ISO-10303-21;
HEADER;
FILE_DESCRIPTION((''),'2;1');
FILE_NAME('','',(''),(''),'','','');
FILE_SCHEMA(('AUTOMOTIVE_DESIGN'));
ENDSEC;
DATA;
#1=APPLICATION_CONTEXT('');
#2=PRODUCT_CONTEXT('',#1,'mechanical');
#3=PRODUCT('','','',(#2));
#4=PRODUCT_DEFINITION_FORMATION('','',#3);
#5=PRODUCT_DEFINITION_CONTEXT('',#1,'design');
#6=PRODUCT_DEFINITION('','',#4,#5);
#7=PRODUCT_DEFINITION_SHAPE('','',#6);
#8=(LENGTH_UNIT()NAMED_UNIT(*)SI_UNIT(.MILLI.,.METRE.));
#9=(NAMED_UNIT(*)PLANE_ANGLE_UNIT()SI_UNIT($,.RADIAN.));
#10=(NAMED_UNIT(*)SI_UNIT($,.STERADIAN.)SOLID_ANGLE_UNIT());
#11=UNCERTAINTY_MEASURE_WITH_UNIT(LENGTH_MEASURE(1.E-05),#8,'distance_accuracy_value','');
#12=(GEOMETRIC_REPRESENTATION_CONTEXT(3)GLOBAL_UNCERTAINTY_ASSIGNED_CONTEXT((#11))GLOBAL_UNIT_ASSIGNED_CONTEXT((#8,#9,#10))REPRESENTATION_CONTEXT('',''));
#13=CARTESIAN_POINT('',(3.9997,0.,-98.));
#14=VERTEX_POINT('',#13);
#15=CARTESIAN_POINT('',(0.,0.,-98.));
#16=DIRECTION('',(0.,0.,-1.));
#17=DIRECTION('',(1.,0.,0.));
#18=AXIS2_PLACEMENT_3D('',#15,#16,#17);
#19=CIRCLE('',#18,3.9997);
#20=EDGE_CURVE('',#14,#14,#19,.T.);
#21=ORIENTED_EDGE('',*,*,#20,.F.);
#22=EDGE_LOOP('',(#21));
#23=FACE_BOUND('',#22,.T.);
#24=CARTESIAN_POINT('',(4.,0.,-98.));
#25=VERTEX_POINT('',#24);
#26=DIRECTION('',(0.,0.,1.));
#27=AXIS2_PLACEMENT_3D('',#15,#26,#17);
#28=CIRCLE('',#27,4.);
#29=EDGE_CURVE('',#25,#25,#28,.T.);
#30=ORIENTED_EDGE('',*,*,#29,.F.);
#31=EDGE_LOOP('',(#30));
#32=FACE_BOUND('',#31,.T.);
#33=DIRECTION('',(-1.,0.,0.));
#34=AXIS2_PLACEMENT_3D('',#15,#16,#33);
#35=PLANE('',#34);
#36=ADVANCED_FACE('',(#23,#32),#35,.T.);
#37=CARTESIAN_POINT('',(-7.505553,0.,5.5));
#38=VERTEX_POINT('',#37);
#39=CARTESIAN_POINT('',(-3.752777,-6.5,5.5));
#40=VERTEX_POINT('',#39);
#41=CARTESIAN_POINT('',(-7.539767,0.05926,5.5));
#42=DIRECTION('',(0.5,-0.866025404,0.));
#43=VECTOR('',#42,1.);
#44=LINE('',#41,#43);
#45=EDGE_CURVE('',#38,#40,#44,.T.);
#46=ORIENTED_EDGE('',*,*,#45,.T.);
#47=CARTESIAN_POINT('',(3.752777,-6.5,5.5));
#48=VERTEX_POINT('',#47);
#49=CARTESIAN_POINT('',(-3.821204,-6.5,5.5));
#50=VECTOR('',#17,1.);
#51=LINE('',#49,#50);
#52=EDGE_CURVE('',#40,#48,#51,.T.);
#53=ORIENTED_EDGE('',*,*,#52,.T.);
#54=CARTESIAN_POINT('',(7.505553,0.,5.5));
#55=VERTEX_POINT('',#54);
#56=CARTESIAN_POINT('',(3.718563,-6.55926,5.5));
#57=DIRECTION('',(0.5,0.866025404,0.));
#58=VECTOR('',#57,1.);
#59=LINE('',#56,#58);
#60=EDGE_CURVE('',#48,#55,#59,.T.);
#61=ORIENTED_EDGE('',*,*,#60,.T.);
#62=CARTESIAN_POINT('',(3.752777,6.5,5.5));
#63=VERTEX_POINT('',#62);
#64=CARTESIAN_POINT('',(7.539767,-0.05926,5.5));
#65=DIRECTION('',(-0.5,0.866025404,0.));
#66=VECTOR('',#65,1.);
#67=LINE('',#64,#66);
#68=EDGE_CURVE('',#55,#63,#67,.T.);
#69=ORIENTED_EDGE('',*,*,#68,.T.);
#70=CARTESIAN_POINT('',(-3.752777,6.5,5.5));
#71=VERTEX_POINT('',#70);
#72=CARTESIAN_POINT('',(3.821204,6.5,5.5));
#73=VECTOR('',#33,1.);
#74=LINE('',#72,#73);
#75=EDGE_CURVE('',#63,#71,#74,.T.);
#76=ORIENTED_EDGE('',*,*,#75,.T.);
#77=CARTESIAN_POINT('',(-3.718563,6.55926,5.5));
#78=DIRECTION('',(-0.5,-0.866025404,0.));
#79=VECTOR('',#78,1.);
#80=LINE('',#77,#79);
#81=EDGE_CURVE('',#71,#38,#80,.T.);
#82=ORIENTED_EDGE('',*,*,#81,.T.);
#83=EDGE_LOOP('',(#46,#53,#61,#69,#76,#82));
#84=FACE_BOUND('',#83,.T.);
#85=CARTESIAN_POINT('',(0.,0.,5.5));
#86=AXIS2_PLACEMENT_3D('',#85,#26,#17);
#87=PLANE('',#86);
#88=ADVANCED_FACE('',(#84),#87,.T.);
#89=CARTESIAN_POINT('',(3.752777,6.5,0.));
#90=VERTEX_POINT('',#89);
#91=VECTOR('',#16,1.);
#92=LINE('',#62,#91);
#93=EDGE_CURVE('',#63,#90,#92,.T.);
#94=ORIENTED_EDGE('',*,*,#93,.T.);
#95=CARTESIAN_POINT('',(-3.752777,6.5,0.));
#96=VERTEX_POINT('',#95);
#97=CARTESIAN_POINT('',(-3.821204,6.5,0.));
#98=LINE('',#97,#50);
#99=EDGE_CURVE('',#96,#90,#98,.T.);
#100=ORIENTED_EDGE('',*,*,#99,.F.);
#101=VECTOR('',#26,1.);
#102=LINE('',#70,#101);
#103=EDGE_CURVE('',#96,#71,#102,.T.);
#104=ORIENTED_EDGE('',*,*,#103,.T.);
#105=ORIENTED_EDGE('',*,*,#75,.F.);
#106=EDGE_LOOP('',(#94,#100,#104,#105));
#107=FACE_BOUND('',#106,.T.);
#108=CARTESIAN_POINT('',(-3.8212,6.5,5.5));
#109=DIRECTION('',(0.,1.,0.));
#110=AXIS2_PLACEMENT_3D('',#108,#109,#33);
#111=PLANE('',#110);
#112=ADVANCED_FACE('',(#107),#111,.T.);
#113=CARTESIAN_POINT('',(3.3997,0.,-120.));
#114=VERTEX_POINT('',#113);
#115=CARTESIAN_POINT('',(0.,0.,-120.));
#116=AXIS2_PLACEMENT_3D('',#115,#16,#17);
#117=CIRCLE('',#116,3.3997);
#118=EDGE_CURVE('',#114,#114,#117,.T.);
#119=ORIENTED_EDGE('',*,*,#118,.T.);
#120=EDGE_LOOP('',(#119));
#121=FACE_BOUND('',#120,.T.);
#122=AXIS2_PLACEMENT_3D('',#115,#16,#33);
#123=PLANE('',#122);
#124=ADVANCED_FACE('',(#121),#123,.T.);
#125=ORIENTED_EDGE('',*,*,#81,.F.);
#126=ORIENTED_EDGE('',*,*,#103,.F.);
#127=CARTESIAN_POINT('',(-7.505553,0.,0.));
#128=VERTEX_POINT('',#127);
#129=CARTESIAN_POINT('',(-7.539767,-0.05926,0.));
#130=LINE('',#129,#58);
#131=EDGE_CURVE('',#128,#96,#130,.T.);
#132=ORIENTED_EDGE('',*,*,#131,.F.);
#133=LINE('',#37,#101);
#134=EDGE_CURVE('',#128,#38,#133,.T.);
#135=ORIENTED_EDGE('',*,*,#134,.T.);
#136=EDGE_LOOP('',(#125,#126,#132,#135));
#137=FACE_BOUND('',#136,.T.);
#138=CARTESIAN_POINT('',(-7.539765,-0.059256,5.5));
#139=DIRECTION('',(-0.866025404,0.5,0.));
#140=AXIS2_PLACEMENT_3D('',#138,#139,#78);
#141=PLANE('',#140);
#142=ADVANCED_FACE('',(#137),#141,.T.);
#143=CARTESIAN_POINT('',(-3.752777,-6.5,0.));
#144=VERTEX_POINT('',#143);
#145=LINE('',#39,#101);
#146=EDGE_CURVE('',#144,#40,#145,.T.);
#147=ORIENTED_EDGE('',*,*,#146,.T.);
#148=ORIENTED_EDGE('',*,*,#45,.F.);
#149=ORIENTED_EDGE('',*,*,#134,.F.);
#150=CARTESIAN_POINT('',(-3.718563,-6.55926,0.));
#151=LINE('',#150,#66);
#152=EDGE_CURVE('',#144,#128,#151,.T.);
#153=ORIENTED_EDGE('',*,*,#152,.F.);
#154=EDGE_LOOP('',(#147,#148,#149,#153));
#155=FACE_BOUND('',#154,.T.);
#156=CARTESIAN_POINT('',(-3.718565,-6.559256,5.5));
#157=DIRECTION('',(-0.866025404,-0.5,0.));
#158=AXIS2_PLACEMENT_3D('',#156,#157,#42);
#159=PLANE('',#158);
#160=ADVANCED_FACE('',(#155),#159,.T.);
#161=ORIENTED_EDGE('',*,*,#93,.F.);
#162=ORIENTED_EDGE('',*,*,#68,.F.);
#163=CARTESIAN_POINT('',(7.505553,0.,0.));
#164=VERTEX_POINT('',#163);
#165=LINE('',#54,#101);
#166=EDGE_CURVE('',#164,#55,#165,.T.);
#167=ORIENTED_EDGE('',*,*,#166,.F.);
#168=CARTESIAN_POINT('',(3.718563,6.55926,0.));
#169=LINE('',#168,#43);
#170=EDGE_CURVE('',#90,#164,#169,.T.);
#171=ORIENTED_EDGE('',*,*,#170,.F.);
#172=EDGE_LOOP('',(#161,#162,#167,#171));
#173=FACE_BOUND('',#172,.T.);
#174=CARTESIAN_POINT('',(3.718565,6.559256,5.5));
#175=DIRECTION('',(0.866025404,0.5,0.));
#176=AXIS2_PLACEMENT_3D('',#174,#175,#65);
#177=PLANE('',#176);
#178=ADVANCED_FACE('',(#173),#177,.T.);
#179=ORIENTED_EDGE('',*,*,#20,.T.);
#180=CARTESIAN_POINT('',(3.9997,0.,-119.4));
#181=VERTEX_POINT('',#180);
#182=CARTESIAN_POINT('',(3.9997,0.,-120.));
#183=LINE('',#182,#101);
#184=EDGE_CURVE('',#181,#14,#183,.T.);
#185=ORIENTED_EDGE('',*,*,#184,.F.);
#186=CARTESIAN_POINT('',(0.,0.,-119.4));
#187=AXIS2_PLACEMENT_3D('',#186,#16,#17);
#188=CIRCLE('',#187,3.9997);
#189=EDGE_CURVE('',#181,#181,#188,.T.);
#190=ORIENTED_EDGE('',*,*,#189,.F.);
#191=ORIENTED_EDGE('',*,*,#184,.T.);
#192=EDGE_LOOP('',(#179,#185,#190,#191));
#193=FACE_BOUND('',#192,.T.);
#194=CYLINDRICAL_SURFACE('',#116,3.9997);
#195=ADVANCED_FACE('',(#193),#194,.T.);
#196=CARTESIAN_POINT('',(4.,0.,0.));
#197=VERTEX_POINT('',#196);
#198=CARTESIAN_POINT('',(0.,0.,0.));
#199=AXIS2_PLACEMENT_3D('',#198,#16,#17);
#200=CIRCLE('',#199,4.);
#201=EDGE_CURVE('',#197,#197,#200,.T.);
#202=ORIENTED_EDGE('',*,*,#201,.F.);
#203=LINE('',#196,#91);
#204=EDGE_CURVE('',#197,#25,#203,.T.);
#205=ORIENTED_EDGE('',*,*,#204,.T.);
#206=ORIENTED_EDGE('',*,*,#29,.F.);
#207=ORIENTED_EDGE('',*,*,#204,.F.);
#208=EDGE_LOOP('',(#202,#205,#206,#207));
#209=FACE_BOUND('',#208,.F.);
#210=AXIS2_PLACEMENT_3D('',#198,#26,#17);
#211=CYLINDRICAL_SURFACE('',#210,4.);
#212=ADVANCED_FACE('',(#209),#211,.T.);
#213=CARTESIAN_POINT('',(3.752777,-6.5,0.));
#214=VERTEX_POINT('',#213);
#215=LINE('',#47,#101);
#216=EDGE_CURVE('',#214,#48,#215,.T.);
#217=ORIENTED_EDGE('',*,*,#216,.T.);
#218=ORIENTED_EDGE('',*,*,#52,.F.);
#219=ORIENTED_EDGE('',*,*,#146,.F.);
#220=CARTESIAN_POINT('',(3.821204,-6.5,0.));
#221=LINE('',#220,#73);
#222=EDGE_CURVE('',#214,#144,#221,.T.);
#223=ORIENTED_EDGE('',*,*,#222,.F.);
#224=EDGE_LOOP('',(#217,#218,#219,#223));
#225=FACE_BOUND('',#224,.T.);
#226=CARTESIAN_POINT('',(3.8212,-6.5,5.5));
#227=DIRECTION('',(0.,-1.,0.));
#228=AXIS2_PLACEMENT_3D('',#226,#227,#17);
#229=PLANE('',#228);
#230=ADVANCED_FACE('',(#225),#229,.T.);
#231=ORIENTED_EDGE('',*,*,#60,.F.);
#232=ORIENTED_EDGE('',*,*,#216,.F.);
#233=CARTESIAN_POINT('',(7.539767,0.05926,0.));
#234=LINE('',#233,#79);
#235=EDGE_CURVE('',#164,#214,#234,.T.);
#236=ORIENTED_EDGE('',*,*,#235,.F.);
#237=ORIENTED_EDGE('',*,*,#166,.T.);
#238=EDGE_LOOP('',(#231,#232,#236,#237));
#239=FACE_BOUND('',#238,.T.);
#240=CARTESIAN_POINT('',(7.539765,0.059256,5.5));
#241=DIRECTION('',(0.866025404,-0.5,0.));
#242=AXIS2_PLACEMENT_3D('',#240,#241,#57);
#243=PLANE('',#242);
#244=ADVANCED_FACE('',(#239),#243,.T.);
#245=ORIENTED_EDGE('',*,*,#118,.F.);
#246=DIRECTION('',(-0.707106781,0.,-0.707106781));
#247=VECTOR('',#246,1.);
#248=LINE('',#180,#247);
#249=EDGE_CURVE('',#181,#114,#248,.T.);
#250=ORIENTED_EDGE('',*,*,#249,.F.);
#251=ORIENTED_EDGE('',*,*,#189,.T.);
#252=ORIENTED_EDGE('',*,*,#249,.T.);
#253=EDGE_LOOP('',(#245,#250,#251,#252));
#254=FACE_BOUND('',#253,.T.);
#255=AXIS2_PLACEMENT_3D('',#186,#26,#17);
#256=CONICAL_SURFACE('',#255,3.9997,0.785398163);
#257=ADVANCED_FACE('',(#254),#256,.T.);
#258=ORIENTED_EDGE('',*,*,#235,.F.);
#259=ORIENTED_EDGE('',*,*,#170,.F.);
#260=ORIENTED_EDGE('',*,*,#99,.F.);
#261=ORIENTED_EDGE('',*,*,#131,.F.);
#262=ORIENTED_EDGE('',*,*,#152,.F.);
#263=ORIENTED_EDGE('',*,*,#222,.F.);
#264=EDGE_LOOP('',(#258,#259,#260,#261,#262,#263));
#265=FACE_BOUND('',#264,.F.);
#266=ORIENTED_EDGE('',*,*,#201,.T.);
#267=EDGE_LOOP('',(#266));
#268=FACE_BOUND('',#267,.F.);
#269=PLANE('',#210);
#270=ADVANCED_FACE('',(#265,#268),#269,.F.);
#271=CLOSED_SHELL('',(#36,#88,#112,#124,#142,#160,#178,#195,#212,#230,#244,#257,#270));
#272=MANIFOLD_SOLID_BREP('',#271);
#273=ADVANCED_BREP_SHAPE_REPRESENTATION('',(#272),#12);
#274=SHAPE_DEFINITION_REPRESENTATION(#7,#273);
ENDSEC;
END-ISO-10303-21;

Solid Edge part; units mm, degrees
sketch "Sketch1" plane through (0, 0, 0) normal (0, 0, 1) x (1, 0, 0)
  circle A0 centre (0, 0) radius 7.54
  dimension "D1" = 15.08
extrude "Protrusion1" add sketch "Sketch1" along normal blind 5.5
sketch "Sketch2" plane through (0, 0, 0) normal (0, 0, -1) x (1, 0, 0)
  circle A0 centre (0, 0) radius 4
extrude "Protrusion2" add sketch "Sketch2" along normal blind 120
sketch "Sketch3" plane through (0, 0, -120) normal (0, 0, -1) x (1, 0, 0)
  circle A0 centre (0, 0) radius 3.9997
extrude "Cutout1" cut sketch "Sketch3" against normal blind 22 flip side to cut
chamfer "Chamfer_1" distance 0.6 angle 45 1 edges at (-3.9997, 0, -120)
sketch "Sketch4" plane through (0, 0, 5.5) normal (0, 0, 1) x (1, 0, 0)
  line L0 (-3.8212, 6.5) -> (3.8212, 6.5)
  dimension "D1" = 13
extrude "Cutout2" cut sketch "Sketch4" against normal up to next material side at (0, 6.55, 5.5)
pattern_circular "Pattern1" count 6 over 360 about axis through (0, 0, 5.5) along (0, 0, 1) of "Cutout2"
properties part number "185598"
